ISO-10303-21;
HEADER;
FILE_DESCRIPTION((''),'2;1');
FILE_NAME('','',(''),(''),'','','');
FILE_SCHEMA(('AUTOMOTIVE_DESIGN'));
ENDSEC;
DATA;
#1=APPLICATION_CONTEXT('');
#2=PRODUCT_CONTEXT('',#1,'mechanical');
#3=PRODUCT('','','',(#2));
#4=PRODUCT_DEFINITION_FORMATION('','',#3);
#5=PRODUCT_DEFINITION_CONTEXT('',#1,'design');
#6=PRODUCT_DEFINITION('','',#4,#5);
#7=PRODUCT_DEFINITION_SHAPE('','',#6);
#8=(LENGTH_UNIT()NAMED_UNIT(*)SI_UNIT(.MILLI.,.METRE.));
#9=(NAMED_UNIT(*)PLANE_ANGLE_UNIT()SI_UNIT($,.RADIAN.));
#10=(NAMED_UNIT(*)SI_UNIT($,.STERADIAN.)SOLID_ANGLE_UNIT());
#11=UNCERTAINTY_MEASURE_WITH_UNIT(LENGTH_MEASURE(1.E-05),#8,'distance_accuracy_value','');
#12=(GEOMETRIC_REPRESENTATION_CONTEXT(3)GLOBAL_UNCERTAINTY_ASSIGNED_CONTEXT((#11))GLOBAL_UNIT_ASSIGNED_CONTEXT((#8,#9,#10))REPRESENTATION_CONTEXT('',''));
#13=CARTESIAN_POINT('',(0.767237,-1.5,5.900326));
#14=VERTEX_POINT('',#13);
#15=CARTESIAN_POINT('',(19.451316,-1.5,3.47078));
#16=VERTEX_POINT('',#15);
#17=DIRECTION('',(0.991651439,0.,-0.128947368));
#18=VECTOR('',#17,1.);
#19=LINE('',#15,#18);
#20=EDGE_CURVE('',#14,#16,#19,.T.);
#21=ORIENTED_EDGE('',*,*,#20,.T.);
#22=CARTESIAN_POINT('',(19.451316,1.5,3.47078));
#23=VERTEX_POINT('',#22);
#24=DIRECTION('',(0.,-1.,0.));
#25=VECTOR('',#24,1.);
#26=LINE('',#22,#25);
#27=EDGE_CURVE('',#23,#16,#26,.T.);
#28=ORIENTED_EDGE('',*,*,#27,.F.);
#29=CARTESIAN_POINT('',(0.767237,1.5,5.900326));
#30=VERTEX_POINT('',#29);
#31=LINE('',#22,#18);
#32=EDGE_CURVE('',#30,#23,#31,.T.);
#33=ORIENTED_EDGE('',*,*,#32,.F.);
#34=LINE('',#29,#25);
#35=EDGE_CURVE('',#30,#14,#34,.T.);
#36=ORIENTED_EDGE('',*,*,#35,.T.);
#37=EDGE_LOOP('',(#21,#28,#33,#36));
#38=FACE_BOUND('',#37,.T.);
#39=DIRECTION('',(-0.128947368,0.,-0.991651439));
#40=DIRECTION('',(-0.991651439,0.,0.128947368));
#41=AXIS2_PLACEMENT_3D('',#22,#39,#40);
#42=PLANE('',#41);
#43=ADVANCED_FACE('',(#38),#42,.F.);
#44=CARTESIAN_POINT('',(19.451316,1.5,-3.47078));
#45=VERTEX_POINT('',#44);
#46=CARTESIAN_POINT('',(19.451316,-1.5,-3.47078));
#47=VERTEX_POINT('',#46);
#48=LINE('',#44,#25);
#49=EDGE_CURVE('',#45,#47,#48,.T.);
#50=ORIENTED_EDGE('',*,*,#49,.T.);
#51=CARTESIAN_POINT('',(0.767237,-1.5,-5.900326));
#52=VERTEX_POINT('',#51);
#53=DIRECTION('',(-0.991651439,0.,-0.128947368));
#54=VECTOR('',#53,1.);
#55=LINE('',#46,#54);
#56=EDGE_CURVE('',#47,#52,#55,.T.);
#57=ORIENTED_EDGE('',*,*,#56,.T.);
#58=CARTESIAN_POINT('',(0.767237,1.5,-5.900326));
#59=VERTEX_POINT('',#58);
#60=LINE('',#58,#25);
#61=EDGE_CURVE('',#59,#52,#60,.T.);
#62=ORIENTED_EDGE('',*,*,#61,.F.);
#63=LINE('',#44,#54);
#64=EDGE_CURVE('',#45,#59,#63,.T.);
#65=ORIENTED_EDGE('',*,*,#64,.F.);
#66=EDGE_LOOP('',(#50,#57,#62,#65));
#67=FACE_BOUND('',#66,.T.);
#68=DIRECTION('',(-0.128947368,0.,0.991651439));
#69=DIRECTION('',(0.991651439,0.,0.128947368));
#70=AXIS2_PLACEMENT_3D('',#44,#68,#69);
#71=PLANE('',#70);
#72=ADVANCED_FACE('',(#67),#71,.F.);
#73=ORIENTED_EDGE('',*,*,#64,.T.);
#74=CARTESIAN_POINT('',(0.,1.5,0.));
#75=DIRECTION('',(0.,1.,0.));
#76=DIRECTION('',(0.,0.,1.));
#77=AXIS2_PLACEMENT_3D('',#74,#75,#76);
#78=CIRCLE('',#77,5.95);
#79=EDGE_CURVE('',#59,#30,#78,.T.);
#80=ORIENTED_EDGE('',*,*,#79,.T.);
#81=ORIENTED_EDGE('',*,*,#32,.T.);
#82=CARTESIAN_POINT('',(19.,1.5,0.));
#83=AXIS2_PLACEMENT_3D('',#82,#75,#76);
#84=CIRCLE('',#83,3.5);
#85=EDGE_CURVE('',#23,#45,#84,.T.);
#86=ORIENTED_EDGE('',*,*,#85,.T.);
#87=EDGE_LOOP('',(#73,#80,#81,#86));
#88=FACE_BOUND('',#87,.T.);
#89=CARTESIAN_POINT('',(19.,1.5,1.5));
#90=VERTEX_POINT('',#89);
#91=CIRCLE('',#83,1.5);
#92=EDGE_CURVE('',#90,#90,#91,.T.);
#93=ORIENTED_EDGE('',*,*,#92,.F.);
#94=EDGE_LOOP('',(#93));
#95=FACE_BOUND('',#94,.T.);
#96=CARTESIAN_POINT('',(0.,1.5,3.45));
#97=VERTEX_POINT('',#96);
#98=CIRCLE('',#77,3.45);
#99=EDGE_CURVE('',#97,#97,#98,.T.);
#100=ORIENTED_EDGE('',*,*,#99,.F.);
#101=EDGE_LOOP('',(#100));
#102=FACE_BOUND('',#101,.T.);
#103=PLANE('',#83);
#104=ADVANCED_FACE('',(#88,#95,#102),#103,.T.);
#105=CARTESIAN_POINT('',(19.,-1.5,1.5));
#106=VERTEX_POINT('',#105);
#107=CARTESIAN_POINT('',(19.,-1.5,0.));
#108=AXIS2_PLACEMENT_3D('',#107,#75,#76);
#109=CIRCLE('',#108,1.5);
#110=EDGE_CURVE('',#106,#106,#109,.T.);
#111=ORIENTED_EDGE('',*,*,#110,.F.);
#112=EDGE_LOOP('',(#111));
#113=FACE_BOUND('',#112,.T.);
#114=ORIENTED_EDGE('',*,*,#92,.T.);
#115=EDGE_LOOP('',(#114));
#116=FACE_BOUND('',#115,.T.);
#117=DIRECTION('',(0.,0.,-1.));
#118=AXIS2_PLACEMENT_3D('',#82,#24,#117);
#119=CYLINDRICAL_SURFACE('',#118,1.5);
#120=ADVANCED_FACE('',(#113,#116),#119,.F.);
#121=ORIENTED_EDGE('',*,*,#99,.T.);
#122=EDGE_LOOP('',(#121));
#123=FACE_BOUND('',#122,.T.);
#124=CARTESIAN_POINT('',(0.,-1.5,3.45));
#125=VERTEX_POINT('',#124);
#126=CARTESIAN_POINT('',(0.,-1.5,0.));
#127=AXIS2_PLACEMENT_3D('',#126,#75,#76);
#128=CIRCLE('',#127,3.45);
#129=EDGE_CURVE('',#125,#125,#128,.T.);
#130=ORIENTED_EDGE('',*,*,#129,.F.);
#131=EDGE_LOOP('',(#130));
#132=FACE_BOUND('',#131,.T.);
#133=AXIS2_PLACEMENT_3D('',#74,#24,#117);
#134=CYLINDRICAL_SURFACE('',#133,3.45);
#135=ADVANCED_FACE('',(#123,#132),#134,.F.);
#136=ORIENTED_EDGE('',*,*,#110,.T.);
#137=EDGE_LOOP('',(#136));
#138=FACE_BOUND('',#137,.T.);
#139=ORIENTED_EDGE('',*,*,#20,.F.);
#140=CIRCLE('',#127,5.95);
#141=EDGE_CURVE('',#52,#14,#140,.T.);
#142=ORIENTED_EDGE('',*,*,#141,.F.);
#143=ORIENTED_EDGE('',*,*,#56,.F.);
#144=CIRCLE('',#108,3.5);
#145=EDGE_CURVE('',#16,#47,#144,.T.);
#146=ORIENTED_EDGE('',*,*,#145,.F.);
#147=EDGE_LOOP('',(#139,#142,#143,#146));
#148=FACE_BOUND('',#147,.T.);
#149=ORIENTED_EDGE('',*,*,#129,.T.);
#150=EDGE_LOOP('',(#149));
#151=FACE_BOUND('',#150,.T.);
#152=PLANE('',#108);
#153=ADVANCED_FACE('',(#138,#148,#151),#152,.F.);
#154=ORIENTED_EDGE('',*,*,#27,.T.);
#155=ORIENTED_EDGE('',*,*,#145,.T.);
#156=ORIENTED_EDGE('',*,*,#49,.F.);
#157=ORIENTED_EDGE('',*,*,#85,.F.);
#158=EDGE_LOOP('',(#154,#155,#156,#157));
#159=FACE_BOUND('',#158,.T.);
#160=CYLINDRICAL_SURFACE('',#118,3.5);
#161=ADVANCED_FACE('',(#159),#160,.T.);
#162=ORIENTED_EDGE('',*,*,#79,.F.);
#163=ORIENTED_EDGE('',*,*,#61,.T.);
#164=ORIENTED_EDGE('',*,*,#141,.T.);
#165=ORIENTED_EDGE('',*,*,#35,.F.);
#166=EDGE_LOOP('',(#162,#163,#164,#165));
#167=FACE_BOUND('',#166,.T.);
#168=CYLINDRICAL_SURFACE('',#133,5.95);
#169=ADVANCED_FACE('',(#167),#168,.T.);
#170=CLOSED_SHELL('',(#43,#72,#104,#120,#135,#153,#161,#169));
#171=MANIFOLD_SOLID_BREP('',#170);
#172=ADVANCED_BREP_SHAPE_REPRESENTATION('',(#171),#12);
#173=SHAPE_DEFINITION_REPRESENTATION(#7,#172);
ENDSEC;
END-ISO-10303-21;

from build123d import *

# Parameters (mm, degrees)
SKETCH1_R           = 1.5
SKETCH1_R_2         = 3.45
BOSS_EXTRUDE1_DEPTH = 1.5


with BuildPart() as part:
    # Sketch1 → Boss-Extrude1 (new body, symmetric)
    with BuildSketch(Plane(origin=(0, 0, 0), x_dir=(1, 0, 0), z_dir=(0, 1, 0))):
        with BuildLine():
            Line((19.451315789, 3.470780036), (0.767236842, 5.900326061))
            ThreePointArc((0.767236842, 5.900326061), (-5.95, 0), (0.767236842, -5.900326061))
            Line((0.767236842, -5.900326061), (19.451315789, -3.470780036))
            ThreePointArc((19.451315789, -3.470780036), (22.5, 0), (19.451315789, 3.470780036))
        make_face()
        with Locations((19, 0)):
            Circle(SKETCH1_R, mode=Mode.SUBTRACT)
        Circle(SKETCH1_R_2, mode=Mode.SUBTRACT)
    extrude(amount=BOSS_EXTRUDE1_DEPTH, both=True)


solid = part.part
